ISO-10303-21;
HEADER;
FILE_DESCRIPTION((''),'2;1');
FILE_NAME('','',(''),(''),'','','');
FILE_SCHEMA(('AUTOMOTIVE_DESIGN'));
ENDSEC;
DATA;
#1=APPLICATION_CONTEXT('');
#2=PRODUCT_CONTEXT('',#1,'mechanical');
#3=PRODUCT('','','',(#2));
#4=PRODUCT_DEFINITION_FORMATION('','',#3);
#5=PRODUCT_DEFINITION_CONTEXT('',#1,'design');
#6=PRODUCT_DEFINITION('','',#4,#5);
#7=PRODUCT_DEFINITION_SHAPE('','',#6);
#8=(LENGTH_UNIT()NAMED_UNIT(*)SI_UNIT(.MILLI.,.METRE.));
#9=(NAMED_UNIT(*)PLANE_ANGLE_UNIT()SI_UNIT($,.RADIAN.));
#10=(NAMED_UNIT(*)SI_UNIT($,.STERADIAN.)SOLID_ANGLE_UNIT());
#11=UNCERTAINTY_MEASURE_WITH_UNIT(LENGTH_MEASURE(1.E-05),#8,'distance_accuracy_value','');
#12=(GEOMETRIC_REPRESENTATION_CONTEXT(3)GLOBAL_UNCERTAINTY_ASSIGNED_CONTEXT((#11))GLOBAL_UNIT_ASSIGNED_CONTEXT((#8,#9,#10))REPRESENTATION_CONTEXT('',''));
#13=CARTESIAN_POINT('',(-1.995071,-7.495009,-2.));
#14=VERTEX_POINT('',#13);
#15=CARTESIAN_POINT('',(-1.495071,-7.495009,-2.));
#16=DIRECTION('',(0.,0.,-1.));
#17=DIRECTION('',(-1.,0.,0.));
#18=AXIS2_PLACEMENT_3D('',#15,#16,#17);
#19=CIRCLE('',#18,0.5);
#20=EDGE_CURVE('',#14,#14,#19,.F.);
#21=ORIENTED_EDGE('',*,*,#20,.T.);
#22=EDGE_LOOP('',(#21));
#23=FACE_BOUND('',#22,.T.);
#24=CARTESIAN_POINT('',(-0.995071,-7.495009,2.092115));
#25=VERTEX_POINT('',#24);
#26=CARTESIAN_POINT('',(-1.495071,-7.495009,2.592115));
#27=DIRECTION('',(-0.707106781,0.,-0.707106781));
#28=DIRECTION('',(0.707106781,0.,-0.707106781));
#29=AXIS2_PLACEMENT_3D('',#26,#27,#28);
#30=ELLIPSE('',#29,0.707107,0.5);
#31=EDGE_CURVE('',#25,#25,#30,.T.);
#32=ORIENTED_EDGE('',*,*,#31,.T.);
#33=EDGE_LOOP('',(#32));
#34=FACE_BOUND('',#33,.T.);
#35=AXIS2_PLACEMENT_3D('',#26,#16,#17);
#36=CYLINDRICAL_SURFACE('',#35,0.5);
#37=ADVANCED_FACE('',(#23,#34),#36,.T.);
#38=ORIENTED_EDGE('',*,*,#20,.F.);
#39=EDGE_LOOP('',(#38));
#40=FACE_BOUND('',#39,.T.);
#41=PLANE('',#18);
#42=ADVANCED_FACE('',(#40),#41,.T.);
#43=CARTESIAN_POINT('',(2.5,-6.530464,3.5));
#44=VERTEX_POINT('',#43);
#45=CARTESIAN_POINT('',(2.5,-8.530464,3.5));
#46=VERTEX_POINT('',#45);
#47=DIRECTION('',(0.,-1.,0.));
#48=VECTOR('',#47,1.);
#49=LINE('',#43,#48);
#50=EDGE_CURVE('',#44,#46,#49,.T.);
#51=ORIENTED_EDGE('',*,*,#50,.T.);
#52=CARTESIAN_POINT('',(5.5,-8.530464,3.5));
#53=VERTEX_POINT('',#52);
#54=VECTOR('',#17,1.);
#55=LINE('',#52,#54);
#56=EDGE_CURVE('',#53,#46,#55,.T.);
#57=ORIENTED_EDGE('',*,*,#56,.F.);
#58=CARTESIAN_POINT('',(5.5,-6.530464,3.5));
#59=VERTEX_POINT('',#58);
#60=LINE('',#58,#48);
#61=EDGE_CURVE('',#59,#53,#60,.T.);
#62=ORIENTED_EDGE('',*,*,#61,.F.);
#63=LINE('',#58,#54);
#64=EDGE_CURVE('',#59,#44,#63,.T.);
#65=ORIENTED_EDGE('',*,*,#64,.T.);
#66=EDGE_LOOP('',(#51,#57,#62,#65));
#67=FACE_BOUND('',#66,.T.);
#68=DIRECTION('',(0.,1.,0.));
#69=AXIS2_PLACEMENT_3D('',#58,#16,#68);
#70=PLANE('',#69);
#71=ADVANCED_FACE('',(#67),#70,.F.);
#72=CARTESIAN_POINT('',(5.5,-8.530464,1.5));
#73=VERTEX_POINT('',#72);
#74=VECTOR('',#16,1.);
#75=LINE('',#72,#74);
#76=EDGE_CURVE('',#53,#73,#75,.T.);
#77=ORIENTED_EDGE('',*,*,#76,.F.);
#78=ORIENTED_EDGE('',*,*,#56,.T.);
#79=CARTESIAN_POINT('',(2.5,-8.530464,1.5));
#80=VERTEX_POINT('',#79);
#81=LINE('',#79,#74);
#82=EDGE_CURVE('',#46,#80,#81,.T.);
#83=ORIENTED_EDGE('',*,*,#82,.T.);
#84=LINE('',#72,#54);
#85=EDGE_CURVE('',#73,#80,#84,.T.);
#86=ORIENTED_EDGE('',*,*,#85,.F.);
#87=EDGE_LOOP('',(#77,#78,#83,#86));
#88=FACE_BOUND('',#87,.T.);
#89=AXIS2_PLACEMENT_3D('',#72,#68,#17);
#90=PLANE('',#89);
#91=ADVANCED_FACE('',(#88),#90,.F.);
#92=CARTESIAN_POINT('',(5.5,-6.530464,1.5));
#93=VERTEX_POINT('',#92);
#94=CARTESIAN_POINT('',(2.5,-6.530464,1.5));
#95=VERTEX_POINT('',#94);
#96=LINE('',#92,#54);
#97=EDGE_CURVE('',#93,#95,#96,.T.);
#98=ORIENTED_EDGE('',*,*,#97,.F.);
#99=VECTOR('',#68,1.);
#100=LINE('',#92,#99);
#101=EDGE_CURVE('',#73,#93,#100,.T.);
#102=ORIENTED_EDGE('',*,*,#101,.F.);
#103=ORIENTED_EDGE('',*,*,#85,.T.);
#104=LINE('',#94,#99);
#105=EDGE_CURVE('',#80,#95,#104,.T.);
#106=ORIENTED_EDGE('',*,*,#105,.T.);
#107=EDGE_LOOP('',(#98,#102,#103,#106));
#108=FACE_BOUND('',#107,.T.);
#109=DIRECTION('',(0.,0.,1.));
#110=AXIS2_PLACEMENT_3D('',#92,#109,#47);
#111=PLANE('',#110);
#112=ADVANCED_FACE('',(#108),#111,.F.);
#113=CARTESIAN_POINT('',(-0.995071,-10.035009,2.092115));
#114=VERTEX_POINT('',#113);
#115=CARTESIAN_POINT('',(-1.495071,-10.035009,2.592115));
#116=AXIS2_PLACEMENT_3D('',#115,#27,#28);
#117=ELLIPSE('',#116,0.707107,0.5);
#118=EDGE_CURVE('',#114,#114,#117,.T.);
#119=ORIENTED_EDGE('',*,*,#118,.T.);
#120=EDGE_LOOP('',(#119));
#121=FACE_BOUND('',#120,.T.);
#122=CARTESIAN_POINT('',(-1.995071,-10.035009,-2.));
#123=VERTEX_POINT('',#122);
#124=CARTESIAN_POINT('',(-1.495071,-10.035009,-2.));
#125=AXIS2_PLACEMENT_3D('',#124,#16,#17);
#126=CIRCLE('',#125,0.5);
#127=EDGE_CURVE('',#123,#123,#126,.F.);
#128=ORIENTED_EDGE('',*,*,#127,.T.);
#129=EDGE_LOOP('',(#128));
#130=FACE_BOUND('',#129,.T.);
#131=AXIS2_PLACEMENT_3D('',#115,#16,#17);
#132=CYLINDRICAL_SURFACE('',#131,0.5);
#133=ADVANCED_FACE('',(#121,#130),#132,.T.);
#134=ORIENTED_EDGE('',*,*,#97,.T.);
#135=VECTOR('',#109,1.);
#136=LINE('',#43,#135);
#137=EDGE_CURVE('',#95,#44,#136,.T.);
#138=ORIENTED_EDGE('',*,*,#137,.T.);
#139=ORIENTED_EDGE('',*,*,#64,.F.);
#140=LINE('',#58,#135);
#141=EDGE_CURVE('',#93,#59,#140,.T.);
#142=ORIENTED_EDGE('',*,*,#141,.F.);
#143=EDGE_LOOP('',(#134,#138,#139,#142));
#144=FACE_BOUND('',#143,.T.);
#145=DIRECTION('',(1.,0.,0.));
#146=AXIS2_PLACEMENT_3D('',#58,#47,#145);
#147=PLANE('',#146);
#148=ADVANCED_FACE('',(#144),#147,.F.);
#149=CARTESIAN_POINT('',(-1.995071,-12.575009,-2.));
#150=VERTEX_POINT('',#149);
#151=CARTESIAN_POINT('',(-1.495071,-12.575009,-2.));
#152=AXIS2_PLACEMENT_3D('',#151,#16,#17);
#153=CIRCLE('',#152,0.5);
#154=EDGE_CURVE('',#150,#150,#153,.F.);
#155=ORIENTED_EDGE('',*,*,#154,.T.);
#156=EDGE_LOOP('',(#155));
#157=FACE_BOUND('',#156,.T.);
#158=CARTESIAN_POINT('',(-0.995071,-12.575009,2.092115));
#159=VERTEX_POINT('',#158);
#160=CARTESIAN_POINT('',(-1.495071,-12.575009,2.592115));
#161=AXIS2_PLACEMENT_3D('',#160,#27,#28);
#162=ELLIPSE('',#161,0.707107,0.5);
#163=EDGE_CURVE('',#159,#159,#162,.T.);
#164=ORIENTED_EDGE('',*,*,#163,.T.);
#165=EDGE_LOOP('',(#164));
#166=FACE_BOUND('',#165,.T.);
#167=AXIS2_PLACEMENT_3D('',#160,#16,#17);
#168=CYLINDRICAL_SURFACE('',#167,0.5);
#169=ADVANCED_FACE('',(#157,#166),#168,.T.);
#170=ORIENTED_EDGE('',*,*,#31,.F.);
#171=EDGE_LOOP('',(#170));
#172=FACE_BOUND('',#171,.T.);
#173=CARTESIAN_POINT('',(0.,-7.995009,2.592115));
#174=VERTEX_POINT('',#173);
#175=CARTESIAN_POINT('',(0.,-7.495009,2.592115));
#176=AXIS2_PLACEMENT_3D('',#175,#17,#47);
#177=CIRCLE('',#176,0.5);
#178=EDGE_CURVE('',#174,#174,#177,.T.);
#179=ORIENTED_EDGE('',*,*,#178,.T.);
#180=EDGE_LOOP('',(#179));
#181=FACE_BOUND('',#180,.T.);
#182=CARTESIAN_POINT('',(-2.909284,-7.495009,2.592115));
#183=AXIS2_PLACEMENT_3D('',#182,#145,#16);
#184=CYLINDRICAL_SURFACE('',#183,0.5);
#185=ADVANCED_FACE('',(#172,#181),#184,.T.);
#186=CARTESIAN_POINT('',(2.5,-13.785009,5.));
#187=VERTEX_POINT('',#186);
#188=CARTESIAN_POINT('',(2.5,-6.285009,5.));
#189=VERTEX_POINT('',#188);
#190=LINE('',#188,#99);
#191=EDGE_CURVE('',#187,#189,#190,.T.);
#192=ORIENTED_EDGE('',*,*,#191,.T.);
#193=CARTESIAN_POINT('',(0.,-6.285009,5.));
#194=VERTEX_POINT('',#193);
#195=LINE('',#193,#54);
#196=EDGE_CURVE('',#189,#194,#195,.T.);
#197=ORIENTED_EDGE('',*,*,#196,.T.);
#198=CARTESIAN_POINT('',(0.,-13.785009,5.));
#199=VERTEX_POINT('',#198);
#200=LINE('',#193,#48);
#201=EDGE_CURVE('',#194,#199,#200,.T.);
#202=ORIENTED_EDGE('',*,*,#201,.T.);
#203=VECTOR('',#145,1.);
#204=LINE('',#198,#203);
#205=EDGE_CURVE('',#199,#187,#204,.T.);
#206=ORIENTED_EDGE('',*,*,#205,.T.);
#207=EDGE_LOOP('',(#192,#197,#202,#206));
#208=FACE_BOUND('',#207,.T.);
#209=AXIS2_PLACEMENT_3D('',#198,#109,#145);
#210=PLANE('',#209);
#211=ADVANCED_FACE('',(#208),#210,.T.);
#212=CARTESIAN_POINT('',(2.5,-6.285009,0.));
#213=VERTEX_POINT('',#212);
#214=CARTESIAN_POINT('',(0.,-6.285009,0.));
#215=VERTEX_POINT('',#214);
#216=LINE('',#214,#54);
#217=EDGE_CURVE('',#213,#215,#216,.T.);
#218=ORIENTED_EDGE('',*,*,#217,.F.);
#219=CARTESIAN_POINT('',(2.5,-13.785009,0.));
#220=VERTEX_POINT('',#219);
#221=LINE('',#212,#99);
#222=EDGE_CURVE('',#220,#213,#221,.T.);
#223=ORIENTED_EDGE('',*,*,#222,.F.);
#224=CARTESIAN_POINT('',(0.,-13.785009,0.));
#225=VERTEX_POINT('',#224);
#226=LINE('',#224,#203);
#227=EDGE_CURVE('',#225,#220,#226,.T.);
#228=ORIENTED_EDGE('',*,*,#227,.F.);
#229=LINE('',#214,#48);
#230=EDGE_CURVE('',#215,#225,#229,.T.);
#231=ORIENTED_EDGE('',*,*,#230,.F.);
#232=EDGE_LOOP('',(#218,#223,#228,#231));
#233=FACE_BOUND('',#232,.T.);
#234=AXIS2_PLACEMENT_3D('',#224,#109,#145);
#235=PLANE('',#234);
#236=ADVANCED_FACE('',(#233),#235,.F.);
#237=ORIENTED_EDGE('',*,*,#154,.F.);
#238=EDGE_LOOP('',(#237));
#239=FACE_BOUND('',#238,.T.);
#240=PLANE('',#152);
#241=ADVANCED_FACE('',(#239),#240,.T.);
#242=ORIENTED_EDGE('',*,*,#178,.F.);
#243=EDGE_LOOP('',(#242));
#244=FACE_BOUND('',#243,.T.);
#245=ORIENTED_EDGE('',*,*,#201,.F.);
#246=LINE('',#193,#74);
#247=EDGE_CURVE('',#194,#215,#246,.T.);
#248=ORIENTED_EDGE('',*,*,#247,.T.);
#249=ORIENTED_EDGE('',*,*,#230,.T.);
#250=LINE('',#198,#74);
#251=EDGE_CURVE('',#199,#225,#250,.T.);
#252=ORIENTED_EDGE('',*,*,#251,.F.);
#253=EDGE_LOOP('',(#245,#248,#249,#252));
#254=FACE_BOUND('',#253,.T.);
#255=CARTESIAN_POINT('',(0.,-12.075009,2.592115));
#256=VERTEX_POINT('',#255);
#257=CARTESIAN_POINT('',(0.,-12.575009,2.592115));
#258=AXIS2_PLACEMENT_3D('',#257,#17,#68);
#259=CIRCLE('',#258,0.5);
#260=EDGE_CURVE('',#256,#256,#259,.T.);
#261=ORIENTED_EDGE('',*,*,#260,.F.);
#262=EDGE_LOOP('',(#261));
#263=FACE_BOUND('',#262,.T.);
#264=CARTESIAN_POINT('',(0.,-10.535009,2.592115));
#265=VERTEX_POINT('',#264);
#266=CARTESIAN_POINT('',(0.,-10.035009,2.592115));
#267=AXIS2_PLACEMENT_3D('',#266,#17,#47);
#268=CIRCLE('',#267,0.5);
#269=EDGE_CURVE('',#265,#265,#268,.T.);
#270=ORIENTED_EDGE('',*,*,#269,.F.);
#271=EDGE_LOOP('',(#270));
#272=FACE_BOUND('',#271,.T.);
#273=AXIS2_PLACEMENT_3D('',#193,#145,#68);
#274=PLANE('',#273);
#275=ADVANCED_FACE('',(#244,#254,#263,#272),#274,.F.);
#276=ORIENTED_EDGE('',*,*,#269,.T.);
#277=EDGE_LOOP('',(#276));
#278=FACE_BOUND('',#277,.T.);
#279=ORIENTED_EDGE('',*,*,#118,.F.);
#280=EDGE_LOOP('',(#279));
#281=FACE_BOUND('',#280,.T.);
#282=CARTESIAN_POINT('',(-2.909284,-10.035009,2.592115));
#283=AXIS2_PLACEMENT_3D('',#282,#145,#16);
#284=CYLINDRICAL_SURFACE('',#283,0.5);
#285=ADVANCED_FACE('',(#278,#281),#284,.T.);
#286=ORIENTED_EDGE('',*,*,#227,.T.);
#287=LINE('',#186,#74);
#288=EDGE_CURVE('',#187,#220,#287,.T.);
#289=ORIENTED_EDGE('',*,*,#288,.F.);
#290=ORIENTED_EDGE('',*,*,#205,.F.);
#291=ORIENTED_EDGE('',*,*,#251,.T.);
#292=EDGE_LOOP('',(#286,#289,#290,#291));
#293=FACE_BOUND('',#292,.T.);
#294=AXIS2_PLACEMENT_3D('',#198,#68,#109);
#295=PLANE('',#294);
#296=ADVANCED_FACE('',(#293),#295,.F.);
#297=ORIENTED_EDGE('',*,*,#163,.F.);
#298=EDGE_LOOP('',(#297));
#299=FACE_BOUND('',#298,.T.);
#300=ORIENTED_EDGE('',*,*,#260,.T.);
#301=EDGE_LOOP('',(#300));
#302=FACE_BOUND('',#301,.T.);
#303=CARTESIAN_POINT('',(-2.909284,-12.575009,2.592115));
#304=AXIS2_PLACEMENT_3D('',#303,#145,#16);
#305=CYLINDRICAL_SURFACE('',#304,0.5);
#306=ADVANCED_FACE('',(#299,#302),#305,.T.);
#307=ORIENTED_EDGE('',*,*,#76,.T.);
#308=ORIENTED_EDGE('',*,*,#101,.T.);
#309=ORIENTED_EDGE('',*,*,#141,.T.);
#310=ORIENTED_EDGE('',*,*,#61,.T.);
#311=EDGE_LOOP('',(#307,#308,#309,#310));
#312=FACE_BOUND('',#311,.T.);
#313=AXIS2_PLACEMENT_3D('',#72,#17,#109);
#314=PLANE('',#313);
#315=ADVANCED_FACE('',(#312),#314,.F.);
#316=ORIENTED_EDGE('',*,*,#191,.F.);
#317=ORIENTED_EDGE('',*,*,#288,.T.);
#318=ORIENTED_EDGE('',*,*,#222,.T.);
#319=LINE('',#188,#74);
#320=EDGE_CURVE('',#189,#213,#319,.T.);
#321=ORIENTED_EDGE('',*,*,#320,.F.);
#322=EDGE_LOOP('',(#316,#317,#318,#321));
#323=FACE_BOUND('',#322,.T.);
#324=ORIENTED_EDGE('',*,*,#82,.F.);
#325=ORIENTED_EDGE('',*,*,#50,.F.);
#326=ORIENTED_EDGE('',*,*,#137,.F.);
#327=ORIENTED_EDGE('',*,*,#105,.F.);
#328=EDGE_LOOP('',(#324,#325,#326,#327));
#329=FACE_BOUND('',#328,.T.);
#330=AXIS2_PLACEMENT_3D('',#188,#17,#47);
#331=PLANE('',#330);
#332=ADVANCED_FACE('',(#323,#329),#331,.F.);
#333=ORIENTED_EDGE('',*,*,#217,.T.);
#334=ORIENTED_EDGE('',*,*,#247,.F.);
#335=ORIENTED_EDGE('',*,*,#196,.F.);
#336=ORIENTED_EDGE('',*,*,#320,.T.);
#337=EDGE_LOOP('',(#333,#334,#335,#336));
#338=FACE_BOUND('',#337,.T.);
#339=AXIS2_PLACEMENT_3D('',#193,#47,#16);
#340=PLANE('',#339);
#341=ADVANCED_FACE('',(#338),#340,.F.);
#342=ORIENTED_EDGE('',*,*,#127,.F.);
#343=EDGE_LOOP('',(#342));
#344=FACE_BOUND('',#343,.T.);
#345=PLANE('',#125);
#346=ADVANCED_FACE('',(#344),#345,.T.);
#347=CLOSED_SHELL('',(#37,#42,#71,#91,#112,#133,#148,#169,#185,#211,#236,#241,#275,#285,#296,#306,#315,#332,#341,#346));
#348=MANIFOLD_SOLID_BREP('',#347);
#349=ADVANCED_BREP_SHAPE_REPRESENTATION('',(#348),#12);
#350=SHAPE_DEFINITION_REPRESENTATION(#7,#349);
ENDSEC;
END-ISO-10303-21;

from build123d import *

# Parameters (mm, degrees)
SKETCH_1_W      = 2.5
SKETCH_1_H      = 7.5
EXTRUDE_1_DEPTH = 5
SKETCH_2_W      = 2
SKETCH_2_H      = 2
EXTRUDE_2_DEPTH = 3
SKETCH_3_R      = 0.5


with BuildPart() as part:
    # 草图1 → 凸台-拉伸1 (new body)
    with BuildSketch(Plane.XY):
        with Locations((1.25, -10.035009445)):
            Rectangle(SKETCH_1_W, SKETCH_1_H)
    extrude(amount=EXTRUDE_1_DEPTH)

    # 草图2 → 凸台-拉伸2 (add)
    with BuildSketch(Plane(origin=(2.5, 0, 0), x_dir=(0, 0, -1), z_dir=(1, 0, 0))):
        with Locations((-2.5, -7.530464336)):
            Rectangle(SKETCH_2_W, SKETCH_2_H)
    extrude(amount=EXTRUDE_2_DEPTH)

    # 扫描1: sweep along a path in 草图4
    with BuildLine(Plane.XZ.offset(10.035009445)) as sweep_1_path:
        Line((0, 3.097044355), (-2, 3.097044355))
        Line((-2, 3.097044355), (-2, -2))
    # 草图3 → 扫描1 (sweep)
    with BuildSketch(Plane.ZY):
        with Locations((2.592115007, -10.035009445)):
            Circle(SKETCH_3_R)
        with Locations((2.592115007, -7.495009445)):
            Circle(SKETCH_3_R)
        with Locations((2.592115007, -12.575009445)):
            Circle(SKETCH_3_R)
    sweep(path=sweep_1_path.line, transition=Transition.RIGHT)


solid = part.part
